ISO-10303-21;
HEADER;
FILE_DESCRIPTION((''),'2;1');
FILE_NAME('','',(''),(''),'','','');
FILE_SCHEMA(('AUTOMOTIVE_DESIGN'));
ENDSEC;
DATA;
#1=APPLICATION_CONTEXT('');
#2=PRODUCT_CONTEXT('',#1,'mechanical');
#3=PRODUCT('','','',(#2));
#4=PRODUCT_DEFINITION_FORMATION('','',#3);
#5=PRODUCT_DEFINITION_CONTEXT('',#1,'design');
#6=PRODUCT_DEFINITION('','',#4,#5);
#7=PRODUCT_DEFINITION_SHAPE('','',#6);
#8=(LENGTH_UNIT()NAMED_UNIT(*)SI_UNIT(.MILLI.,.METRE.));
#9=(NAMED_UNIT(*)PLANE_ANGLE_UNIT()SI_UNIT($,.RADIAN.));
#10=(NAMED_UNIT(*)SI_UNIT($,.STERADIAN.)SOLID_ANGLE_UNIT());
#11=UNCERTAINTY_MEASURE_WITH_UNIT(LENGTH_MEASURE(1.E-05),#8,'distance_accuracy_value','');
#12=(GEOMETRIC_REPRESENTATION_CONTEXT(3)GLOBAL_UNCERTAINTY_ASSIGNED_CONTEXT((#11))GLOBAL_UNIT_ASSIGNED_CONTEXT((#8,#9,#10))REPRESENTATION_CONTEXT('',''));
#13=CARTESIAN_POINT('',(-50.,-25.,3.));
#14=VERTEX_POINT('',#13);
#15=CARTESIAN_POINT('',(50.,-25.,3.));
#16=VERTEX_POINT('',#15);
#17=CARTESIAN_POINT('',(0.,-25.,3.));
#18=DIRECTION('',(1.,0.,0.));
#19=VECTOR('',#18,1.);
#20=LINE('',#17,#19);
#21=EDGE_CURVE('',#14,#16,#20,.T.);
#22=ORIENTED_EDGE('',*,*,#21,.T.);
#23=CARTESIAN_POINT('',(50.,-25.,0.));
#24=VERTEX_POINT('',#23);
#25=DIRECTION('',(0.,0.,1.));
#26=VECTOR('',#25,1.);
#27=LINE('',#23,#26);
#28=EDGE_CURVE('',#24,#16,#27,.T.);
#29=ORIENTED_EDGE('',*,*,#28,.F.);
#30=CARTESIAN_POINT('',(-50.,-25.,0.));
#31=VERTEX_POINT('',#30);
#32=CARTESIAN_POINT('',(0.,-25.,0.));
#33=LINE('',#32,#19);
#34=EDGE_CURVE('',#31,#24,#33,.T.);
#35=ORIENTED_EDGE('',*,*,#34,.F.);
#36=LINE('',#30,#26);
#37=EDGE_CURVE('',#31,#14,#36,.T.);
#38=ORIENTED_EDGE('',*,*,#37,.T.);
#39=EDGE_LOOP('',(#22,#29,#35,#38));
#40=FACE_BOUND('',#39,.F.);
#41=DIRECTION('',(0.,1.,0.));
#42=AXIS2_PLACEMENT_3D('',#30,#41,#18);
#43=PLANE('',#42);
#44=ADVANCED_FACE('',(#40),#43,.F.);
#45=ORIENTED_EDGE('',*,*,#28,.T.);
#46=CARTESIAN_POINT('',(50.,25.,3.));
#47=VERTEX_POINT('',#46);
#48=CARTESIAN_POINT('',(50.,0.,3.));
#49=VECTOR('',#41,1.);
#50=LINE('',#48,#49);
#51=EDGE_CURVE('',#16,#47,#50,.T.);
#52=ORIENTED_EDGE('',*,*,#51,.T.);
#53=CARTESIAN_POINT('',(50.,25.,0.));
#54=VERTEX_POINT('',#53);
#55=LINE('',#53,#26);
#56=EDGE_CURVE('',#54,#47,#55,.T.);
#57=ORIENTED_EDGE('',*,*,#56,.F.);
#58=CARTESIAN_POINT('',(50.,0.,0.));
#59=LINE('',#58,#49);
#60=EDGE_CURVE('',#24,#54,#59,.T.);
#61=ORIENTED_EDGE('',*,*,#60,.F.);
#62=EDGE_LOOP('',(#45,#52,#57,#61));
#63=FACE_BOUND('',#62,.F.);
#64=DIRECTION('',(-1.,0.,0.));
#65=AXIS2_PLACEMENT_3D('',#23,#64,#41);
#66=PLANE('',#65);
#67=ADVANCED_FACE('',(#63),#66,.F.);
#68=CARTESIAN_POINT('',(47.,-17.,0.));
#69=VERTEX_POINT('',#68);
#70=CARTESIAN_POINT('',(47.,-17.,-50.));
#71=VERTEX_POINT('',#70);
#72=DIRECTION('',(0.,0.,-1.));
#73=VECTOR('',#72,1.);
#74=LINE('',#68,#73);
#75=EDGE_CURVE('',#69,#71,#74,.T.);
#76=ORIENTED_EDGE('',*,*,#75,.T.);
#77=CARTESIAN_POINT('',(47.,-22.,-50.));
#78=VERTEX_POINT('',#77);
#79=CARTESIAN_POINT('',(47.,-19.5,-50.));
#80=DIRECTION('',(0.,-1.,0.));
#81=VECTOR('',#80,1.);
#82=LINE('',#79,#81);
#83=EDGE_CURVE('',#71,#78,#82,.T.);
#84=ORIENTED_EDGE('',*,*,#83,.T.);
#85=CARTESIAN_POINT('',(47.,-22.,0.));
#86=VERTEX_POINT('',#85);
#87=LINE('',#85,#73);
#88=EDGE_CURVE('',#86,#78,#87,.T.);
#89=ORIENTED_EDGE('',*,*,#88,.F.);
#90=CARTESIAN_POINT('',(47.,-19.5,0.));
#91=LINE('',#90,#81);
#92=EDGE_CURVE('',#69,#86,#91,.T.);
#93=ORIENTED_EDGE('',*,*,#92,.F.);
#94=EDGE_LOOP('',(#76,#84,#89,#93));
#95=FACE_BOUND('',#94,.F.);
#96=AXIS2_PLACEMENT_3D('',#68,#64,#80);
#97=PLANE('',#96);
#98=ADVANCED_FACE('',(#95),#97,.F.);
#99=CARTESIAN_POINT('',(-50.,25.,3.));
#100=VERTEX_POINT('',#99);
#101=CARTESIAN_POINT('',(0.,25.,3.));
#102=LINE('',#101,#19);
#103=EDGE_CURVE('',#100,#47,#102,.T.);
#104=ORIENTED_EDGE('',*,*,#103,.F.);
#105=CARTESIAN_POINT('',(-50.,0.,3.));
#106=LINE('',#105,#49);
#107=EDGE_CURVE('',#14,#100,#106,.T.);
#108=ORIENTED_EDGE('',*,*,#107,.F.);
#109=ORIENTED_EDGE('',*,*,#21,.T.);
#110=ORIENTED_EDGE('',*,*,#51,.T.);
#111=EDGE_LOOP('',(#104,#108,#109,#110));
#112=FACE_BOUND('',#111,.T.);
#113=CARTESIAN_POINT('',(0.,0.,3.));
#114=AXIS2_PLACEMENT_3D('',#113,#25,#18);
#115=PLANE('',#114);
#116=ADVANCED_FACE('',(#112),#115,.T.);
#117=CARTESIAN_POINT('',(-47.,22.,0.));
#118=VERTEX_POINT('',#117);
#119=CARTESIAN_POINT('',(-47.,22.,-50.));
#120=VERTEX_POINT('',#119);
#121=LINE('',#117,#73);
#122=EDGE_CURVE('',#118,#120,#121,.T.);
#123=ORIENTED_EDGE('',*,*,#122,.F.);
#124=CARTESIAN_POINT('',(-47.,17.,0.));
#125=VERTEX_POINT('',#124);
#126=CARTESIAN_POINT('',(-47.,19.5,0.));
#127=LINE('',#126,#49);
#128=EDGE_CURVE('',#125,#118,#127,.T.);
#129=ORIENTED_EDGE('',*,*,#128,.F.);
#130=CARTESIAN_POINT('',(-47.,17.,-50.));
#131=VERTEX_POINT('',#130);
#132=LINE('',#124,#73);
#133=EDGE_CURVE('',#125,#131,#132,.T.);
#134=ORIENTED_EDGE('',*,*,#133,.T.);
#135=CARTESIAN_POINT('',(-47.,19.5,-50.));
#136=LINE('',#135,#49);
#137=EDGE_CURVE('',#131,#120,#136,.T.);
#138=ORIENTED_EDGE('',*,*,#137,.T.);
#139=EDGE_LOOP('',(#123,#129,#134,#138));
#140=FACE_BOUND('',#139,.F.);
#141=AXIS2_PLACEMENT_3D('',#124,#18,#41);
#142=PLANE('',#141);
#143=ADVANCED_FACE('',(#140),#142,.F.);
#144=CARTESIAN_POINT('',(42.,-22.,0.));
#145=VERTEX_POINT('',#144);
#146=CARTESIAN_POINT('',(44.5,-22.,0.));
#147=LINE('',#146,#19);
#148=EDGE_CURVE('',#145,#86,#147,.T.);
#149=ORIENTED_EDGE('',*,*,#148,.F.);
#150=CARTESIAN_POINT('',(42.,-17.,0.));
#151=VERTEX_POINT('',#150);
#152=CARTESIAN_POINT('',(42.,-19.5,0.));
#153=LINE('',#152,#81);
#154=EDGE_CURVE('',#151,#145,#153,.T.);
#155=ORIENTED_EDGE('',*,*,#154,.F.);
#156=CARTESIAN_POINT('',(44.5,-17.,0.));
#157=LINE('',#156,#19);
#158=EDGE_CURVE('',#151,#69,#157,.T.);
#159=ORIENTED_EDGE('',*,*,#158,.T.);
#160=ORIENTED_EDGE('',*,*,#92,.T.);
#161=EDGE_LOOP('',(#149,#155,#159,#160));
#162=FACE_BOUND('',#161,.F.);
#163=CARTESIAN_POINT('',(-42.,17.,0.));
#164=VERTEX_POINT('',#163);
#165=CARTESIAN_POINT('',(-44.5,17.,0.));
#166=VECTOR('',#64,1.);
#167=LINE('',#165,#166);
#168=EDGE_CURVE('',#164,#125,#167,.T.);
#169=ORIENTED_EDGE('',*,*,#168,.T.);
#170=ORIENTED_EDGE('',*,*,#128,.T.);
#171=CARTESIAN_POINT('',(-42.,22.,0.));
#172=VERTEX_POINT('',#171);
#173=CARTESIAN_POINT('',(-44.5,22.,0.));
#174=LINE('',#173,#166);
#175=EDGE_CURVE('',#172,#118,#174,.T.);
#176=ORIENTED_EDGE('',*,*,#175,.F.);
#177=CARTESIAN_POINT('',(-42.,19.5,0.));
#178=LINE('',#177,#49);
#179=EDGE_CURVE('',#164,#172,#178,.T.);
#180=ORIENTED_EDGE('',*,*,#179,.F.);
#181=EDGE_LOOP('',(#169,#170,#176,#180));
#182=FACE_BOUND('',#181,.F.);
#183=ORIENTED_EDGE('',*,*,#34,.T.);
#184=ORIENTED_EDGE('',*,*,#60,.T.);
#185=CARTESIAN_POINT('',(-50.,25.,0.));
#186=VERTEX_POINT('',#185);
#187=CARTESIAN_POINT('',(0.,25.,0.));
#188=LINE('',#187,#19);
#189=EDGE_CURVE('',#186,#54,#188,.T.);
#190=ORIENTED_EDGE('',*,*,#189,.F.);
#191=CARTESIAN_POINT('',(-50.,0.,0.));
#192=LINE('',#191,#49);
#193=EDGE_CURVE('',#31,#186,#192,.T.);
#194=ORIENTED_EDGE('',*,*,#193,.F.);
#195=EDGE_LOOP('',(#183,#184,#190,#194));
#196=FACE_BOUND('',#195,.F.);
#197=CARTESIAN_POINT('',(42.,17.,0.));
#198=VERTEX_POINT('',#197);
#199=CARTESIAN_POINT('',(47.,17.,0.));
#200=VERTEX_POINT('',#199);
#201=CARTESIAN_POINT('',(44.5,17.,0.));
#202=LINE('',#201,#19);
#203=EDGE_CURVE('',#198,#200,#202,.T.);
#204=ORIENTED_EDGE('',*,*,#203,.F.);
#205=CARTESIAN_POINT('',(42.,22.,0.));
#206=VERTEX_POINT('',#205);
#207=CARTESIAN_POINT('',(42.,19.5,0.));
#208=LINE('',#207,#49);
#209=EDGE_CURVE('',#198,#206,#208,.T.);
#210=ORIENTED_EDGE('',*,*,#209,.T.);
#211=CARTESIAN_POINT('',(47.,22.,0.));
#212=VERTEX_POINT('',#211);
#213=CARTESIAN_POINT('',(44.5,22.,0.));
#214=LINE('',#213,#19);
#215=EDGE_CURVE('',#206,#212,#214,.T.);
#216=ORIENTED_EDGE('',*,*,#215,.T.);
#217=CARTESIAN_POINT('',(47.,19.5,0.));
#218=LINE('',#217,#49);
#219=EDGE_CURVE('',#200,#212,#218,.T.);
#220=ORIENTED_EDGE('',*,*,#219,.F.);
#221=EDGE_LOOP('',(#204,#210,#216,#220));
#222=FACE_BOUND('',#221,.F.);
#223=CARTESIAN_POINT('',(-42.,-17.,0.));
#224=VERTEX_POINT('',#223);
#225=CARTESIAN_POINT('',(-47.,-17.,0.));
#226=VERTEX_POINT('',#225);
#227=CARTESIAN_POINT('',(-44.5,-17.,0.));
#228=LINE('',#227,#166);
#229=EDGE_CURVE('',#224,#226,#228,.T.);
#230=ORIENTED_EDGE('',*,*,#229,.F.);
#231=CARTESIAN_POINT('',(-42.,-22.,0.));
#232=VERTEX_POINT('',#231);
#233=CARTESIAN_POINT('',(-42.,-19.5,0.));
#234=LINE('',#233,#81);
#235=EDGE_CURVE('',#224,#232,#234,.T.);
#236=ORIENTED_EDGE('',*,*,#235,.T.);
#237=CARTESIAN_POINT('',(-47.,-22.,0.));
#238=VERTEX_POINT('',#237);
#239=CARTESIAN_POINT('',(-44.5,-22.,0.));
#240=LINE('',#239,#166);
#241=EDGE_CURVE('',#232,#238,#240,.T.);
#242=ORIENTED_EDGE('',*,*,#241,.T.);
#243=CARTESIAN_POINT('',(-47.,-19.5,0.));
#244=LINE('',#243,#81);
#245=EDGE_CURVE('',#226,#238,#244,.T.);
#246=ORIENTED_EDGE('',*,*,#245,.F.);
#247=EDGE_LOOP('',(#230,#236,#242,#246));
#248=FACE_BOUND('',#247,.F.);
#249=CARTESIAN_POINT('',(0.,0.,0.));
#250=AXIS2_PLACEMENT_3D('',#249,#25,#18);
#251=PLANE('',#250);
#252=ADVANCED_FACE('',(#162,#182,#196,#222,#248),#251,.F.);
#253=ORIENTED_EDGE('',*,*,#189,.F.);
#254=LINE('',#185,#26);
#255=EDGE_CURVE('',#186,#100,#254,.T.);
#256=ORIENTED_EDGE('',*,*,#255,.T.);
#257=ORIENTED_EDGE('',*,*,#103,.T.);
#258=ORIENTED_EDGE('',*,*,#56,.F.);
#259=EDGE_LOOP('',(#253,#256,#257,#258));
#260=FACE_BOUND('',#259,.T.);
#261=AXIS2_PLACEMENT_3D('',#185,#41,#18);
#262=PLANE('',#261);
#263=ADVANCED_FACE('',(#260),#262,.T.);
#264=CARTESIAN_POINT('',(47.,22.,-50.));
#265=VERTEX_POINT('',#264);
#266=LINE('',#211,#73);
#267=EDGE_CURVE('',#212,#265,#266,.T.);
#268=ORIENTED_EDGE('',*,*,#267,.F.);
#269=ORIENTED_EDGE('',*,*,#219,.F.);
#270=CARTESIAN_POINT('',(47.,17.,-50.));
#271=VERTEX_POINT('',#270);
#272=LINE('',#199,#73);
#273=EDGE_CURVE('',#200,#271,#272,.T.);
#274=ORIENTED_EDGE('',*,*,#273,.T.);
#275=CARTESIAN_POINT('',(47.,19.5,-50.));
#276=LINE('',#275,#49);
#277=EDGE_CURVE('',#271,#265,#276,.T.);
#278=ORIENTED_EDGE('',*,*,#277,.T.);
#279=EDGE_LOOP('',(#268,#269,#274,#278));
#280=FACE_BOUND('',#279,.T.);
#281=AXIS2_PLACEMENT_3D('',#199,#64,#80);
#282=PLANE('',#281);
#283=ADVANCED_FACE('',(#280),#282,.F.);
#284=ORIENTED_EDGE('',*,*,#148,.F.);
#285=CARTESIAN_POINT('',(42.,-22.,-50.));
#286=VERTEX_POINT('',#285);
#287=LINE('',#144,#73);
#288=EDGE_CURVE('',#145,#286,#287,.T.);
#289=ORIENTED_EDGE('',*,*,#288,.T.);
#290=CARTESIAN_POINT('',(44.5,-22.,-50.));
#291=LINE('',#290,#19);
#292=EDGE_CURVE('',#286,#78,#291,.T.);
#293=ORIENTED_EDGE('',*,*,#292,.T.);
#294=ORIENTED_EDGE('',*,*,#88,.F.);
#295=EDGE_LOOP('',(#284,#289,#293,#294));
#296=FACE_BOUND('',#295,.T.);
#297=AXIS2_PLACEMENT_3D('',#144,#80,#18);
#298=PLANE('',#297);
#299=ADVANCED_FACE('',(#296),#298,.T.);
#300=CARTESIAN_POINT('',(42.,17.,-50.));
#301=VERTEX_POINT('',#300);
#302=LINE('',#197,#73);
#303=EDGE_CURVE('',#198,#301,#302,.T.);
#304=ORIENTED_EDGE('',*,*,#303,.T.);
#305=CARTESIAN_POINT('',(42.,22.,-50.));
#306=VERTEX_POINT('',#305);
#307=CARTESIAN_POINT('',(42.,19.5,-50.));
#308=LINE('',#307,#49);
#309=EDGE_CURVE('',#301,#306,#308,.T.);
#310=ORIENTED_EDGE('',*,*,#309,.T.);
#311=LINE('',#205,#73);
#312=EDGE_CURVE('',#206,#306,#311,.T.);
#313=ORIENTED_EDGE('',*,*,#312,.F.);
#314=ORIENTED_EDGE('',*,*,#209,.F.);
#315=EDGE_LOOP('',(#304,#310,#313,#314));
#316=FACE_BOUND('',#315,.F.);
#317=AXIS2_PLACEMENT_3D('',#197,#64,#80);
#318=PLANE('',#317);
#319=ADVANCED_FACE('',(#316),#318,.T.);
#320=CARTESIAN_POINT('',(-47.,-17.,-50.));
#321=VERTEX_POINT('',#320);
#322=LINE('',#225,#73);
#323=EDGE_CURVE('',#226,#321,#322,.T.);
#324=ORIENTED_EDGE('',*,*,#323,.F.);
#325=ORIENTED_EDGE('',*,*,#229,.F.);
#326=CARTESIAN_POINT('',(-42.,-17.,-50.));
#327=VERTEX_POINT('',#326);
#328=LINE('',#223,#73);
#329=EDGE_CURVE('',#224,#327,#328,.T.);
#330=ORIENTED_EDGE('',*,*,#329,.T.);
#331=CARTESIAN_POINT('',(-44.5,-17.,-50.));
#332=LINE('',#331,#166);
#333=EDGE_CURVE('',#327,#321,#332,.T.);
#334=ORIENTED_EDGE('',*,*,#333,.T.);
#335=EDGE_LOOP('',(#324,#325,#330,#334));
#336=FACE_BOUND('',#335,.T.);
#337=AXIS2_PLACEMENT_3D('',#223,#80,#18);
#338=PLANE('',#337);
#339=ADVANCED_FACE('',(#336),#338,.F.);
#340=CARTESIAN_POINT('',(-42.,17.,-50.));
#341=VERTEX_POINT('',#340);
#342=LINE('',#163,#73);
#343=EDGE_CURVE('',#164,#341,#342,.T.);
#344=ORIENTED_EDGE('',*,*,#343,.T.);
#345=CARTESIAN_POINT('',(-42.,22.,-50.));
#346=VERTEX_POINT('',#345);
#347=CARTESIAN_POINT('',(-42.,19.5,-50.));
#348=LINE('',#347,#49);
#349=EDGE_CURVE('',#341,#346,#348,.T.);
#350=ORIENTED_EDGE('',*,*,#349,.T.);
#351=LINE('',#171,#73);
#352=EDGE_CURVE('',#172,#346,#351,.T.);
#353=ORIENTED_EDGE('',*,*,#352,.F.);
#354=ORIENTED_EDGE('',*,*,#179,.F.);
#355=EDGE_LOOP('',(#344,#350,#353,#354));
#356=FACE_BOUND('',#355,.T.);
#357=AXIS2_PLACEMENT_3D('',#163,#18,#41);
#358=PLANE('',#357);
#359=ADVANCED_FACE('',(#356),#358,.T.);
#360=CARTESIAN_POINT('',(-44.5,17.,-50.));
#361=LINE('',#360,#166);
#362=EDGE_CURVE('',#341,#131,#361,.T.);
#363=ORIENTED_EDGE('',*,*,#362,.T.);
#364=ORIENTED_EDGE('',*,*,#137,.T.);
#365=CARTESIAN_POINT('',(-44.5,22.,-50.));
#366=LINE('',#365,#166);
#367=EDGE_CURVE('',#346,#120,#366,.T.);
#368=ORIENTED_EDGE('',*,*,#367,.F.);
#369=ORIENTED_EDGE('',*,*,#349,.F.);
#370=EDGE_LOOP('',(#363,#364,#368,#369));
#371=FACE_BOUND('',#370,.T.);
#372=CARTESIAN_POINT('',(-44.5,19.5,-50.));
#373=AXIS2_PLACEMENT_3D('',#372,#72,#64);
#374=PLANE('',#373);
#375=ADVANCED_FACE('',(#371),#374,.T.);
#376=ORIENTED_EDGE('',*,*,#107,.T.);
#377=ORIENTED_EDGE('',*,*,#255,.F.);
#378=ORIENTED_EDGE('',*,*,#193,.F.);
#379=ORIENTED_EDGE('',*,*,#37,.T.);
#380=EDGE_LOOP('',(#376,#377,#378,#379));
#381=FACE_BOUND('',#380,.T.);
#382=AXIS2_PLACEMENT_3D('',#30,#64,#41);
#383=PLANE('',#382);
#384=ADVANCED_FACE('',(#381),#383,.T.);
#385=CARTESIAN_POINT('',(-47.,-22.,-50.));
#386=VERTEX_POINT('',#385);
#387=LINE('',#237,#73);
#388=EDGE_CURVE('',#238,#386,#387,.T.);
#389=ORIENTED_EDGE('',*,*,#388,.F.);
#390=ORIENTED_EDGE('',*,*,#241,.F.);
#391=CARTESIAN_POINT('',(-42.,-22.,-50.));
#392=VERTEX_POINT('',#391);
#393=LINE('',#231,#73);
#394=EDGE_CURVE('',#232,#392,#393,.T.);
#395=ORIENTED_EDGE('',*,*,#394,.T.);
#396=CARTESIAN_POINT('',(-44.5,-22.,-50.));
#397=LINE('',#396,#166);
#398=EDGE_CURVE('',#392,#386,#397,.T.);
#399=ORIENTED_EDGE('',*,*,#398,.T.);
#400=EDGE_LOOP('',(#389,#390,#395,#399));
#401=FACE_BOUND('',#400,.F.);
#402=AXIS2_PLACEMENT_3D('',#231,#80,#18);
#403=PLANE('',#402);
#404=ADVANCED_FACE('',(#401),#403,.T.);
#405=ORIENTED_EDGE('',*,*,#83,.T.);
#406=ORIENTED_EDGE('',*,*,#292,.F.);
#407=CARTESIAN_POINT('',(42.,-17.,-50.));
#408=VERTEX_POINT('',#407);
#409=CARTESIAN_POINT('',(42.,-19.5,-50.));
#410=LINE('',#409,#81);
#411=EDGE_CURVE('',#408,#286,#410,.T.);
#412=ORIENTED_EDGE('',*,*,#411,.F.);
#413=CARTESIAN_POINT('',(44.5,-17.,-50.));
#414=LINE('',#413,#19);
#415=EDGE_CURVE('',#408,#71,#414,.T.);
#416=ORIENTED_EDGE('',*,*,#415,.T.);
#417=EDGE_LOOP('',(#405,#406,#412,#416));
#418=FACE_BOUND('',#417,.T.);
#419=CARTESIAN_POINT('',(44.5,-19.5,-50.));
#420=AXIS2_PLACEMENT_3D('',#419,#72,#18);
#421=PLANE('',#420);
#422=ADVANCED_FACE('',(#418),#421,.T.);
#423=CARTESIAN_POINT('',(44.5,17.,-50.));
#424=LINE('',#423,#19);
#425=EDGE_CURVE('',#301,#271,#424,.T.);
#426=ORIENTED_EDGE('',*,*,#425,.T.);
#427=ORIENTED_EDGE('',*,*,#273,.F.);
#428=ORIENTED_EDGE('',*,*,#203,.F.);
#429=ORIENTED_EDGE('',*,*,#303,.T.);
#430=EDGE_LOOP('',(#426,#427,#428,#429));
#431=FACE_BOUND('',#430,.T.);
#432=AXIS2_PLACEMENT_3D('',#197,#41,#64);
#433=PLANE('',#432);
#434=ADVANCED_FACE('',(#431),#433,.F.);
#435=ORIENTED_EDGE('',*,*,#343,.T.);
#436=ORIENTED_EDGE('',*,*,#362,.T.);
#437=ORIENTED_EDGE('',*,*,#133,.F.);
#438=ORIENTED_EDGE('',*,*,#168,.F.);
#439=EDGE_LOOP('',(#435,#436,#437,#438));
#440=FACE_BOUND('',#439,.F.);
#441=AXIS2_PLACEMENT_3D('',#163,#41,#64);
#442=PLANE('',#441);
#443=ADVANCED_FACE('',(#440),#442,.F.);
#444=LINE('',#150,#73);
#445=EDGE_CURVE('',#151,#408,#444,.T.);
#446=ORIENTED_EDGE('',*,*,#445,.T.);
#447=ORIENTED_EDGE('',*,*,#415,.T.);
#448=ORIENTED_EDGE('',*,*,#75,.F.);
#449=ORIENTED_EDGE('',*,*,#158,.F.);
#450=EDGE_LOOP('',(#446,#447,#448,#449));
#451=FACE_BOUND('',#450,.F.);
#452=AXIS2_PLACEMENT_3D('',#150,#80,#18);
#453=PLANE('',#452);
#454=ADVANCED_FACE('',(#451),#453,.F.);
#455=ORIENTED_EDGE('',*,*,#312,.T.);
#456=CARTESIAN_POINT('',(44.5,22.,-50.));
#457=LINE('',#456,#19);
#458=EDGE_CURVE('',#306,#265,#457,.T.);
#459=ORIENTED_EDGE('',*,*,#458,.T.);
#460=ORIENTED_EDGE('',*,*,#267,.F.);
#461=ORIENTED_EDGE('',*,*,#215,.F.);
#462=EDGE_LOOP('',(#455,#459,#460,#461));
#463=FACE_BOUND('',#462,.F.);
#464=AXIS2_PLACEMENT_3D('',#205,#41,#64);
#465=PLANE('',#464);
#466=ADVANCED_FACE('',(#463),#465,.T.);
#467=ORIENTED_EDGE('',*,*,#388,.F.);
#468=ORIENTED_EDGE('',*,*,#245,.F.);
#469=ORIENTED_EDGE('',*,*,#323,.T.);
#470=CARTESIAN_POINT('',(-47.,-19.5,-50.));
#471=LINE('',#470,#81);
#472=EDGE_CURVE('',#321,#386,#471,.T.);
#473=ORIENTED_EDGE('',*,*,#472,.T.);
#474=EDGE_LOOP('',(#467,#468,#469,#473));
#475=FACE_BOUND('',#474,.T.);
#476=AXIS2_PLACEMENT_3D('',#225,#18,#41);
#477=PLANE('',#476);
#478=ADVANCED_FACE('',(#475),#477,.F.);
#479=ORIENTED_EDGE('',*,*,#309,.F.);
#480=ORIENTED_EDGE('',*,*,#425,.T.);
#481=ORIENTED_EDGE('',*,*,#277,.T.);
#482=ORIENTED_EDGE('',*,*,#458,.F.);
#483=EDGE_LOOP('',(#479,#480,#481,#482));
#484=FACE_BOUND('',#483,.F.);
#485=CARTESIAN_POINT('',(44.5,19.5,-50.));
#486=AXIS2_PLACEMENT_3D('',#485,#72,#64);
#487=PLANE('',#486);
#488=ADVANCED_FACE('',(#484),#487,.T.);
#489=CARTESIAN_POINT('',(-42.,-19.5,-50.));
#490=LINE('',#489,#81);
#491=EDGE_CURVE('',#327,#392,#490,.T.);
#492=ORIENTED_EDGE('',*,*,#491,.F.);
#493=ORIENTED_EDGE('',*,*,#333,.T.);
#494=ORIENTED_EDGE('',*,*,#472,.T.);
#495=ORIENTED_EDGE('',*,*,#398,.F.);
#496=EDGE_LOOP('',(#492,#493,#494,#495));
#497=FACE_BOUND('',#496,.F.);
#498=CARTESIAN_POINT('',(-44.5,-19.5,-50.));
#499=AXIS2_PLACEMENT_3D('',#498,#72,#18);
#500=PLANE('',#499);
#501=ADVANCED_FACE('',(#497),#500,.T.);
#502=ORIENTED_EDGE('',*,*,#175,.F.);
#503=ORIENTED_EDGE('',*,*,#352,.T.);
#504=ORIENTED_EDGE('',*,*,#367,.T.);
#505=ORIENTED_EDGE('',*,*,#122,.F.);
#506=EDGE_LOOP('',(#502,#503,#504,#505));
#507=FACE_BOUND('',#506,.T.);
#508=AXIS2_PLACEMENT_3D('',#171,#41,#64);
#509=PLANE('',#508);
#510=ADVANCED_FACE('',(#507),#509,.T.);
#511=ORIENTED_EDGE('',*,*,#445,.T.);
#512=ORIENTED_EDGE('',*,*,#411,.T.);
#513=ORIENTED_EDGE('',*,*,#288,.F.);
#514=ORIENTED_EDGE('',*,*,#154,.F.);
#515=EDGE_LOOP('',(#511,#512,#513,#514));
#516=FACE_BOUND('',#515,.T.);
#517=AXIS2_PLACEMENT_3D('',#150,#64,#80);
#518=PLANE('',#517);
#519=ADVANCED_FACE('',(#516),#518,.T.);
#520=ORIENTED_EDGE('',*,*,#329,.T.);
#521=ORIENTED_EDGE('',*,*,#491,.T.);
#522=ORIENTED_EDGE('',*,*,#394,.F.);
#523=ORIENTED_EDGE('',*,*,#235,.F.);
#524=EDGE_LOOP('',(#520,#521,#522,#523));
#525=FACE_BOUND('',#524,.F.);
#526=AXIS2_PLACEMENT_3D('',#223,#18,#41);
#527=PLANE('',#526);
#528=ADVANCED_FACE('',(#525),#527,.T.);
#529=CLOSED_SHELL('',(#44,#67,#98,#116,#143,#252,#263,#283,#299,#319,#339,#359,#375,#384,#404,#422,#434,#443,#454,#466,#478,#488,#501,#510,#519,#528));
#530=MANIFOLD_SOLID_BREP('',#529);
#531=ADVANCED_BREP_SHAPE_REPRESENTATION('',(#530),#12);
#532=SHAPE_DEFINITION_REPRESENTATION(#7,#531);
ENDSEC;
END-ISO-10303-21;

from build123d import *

# Parameters (mm, degrees)
SKETCH_W           = 100
SKETCH_H           = 50
PAD_DEPTH          = 3
SKETCH001_W        = 5
SKETCH001_H        = 5
PAD001_DEPTH       = 50
POLARPATTERN_COUNT = 2


with BuildPart() as part:
    # Sketch → Pad (new body)
    with BuildSketch(Plane.XY):
        Rectangle(SKETCH_W, SKETCH_H)
    extrude(amount=PAD_DEPTH)

    # Sketch001 (on Face5 of Pad) → Pad001 (join)
    with BuildSketch(Plane(origin=(0, 0, 0), x_dir=(1, 0, 0), z_dir=(0, 0, -1))):
        with Locations((44.5, 19.5)):
            Rectangle(SKETCH001_W, SKETCH001_H)
    pad001 = extrude(amount=PAD001_DEPTH)

    # Mirrored: Pad001 across Sketch001 V_Axis
    add(pad001.mirror(Plane(origin=(0, 0, 0), x_dir=(0, 0, -1), z_dir=(1, 0, 0))))

    # PolarPattern: Pad001 ×2 about axis
    polarpattern_axis = Axis((0, 0, 0), (0, 0, -1))
    for i in range(1, POLARPATTERN_COUNT):
        add(pad001.rotate(polarpattern_axis, i * 360 / POLARPATTERN_COUNT))

    # Mirrored001: Pad001 across Sketch001 H_Axis
    add(pad001.mirror(Plane(origin=(0, 0, 0), x_dir=(0, 0, -1), z_dir=(0, -1, 0))))


solid = part.part
